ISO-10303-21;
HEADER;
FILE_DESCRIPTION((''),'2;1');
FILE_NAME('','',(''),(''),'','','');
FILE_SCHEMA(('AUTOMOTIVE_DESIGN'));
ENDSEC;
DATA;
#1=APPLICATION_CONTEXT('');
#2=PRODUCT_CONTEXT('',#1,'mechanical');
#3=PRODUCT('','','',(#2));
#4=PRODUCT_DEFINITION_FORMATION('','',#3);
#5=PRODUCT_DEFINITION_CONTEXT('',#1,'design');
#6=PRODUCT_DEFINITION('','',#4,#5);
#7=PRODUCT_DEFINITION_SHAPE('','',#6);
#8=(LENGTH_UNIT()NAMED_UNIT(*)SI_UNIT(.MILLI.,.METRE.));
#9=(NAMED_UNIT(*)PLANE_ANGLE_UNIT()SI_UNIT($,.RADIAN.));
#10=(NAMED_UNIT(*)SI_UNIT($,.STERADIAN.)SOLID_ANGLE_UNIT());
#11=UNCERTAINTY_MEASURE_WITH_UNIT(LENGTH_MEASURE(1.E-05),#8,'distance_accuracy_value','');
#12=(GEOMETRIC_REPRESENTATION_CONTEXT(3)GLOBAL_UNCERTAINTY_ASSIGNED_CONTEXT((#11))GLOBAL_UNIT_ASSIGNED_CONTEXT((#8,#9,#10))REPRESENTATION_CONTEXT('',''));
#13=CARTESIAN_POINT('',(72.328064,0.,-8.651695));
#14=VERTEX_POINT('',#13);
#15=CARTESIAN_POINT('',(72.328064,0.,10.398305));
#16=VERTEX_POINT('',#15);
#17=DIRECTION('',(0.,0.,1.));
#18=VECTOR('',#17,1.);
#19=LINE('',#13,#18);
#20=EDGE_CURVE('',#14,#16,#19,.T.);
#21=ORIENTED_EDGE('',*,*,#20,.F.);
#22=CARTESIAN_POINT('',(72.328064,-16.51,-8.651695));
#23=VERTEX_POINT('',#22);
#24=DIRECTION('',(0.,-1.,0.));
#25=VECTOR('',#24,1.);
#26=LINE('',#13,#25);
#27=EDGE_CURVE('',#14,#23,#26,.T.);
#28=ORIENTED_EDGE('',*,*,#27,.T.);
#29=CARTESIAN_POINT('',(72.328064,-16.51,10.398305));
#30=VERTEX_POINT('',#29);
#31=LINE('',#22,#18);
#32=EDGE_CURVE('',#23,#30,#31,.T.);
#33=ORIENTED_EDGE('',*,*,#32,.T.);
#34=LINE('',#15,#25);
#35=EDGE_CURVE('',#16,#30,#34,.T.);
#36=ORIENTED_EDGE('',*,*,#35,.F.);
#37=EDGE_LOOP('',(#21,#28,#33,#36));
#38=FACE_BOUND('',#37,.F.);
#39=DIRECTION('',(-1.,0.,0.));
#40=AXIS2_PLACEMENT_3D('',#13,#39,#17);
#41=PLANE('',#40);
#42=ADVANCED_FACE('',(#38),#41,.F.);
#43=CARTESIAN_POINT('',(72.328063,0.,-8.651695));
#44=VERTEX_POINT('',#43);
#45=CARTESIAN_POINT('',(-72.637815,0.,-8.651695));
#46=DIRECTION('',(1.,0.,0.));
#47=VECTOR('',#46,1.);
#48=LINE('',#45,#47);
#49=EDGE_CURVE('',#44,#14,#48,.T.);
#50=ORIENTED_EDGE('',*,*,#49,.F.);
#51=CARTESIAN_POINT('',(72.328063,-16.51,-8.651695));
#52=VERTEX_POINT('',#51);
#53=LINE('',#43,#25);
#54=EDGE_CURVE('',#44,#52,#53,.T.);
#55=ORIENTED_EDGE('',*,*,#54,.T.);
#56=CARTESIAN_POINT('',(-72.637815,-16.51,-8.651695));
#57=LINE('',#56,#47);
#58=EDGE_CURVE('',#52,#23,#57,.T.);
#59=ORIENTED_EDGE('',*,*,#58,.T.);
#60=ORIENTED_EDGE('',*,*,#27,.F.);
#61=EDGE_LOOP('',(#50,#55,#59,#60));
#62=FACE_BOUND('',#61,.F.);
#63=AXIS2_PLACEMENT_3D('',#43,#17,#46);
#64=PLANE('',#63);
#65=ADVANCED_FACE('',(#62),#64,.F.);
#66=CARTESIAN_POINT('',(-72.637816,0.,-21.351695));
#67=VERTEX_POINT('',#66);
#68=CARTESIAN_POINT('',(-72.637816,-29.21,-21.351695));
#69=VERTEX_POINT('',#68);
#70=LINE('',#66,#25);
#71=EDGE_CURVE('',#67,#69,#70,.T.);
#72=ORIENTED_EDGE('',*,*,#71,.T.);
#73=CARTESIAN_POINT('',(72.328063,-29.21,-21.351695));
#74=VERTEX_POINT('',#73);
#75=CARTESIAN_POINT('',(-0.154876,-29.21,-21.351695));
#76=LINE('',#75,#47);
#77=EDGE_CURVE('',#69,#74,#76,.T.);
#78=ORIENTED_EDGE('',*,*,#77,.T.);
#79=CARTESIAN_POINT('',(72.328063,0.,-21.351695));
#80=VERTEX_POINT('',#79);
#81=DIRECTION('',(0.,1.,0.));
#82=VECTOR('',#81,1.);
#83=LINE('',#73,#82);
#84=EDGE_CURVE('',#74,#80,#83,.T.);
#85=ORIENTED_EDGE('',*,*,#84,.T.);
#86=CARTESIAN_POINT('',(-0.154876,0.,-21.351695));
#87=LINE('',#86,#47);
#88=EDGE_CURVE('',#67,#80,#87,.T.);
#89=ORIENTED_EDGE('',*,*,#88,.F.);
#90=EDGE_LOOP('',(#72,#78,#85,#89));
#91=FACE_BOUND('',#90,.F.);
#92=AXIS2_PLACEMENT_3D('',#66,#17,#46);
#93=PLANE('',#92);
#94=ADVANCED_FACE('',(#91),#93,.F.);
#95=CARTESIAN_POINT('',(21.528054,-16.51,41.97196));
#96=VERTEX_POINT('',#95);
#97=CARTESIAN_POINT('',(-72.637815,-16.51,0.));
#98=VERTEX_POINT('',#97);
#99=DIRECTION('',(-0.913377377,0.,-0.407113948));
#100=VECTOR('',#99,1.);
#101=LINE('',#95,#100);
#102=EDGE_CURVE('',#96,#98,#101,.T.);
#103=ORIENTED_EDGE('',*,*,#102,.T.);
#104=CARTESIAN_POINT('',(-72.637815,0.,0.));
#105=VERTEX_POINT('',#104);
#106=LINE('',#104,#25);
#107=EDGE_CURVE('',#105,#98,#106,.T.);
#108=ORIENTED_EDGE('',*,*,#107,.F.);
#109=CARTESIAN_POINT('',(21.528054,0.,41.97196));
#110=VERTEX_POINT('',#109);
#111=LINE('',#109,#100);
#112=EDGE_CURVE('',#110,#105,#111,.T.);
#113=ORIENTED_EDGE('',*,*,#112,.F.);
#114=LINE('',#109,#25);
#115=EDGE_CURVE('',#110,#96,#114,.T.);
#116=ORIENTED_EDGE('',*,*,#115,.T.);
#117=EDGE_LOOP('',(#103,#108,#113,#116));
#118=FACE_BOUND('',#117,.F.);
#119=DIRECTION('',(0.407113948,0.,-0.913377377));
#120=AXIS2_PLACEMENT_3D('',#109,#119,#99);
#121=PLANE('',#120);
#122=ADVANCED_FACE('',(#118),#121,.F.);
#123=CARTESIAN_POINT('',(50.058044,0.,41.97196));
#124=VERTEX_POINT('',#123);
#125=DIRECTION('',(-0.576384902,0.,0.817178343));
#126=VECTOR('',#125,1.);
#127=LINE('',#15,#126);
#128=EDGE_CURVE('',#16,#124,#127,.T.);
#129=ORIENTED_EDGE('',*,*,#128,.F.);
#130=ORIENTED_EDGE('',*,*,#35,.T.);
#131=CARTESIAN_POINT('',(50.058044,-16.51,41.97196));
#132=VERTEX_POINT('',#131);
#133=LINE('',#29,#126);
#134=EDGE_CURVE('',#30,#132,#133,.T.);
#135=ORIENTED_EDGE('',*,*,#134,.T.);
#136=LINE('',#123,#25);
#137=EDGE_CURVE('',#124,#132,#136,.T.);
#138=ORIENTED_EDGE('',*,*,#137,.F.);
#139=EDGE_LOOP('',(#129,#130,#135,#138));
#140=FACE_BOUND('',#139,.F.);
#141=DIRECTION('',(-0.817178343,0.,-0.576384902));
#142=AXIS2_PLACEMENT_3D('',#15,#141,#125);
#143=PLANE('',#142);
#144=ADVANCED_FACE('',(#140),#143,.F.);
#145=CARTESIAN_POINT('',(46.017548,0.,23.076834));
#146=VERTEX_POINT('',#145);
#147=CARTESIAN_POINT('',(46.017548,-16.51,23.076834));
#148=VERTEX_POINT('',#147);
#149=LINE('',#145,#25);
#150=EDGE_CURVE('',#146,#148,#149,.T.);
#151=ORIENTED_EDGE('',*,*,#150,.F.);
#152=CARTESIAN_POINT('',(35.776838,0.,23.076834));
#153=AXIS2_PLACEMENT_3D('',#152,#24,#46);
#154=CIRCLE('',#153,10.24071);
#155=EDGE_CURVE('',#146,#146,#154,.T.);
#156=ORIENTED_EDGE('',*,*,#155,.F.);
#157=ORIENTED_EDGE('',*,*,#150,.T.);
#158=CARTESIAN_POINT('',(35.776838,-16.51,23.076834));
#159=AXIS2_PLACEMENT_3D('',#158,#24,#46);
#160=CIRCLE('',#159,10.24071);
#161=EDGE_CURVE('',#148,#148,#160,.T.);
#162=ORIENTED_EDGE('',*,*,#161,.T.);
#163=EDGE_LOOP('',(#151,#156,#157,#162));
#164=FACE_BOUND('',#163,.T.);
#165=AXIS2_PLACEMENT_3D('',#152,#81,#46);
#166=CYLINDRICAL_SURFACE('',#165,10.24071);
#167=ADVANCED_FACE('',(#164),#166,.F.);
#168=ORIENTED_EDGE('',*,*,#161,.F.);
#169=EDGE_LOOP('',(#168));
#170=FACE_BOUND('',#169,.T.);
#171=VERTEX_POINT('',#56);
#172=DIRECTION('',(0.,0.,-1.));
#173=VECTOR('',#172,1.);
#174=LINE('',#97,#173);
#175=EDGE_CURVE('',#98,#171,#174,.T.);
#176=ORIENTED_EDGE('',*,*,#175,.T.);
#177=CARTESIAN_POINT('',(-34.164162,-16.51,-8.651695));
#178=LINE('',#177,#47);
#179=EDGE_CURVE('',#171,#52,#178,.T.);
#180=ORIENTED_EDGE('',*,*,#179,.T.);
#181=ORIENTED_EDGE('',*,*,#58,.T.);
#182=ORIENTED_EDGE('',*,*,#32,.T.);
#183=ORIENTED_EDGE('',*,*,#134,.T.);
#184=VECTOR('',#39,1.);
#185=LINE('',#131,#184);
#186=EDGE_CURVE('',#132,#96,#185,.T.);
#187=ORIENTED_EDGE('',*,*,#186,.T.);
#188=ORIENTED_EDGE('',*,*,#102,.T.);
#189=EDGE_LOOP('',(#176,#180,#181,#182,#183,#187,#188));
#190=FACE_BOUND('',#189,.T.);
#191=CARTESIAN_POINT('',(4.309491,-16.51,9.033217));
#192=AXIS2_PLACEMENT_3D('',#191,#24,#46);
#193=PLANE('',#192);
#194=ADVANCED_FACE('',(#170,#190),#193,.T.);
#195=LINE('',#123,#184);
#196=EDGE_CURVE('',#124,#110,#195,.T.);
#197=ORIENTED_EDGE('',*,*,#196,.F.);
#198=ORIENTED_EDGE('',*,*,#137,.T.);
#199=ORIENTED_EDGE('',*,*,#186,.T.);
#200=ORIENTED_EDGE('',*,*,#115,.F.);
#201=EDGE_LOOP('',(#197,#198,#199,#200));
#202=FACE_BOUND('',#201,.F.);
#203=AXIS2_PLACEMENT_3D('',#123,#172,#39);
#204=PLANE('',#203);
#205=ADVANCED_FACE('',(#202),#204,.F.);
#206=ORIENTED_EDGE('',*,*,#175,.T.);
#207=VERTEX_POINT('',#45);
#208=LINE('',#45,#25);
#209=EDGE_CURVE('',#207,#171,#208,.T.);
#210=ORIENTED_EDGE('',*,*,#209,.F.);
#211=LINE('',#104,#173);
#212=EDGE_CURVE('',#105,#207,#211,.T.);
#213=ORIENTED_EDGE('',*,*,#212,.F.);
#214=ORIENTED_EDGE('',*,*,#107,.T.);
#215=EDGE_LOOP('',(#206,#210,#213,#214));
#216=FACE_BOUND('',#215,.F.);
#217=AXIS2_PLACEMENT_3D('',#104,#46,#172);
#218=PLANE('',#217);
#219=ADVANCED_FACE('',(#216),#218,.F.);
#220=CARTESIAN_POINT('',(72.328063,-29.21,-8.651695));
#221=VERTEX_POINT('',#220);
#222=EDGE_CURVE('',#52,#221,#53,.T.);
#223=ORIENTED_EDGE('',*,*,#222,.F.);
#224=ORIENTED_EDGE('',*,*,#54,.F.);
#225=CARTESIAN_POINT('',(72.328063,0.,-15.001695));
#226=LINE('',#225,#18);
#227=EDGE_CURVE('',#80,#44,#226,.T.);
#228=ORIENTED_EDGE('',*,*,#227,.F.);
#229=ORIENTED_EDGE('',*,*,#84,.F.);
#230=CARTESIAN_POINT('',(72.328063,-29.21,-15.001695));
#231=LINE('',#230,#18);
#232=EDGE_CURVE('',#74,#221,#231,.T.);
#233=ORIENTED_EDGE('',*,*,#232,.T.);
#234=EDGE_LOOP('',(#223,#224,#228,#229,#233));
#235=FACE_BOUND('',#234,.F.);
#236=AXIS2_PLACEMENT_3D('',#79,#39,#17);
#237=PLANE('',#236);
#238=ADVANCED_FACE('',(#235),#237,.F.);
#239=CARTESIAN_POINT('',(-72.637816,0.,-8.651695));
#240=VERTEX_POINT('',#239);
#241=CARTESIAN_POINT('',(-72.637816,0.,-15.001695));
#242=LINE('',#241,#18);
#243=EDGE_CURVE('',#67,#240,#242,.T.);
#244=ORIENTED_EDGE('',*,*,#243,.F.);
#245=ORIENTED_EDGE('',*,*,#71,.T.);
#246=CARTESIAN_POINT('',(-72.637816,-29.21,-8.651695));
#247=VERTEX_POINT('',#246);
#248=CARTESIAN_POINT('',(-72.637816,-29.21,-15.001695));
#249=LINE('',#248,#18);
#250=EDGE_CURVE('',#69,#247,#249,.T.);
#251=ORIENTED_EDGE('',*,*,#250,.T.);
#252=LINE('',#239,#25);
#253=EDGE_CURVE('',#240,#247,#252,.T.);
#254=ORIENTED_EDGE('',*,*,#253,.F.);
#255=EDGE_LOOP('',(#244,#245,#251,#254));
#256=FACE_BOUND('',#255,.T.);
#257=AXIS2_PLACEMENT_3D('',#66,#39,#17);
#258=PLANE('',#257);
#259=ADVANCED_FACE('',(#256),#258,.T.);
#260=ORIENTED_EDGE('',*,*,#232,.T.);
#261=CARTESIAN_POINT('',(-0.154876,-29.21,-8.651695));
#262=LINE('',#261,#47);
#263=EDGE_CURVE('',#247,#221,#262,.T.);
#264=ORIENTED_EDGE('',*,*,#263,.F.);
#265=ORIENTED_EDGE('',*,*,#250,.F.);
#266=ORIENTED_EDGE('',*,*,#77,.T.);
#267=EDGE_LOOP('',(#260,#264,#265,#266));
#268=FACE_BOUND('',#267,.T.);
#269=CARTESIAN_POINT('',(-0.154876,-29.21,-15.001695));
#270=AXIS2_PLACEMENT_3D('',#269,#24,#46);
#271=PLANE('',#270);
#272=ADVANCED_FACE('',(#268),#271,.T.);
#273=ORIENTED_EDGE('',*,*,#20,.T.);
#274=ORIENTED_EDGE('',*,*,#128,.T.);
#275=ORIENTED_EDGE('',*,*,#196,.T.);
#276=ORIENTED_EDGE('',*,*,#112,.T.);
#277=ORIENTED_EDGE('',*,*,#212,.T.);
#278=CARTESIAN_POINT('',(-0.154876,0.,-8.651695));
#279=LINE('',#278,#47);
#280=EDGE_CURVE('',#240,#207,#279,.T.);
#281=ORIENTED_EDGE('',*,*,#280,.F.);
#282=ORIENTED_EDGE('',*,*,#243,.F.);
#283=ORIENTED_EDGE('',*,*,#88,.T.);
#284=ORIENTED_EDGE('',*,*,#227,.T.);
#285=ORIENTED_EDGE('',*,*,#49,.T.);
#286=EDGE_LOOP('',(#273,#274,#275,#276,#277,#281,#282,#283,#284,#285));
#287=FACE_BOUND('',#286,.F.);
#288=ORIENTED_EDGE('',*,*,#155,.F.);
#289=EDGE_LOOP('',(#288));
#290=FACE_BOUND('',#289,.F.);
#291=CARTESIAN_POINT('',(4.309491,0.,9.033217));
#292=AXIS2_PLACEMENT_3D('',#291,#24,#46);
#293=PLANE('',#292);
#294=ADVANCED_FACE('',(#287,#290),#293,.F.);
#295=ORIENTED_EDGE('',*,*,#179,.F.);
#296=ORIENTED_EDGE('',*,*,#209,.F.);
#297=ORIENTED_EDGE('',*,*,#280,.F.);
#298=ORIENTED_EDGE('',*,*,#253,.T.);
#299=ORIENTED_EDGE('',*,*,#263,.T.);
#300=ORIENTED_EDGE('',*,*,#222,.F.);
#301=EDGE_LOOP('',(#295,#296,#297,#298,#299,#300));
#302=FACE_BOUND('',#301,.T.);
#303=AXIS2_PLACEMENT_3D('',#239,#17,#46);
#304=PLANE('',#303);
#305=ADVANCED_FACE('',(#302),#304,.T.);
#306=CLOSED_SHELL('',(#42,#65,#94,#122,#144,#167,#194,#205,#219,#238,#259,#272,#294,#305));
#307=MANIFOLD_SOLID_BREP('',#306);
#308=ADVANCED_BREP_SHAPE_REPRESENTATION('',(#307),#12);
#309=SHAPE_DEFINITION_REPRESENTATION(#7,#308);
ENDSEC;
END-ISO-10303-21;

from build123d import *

# Parameters (mm, degrees)
F0_W     = 144.965879
F0_H     = 12.7
F1_DEPTH = 29.21
F0_R     = 10.24071
F2_DEPTH = 16.51


with BuildPart() as f1:
    # F0 (on Front) → F1 (new body)
    with BuildSketch(Plane.XZ):
        with Locations((-0.154876, -15.001695)):
            Rectangle(F0_W, F0_H)
    extrude(amount=F1_DEPTH)

    # F0 (on Front) → F2 (join)
    with BuildSketch(Plane.XZ):
        Polygon((50.058044, 41.97196), (21.528054, 41.97196), (-72.637815, 0), (-72.637815, -8.651695), (72.328064, -8.651695), (72.328064, -2.632929), (72.328064, 10.398305), align=None)
        with Locations((35.776838, 23.076834)):
            Circle(F0_R, mode=Mode.SUBTRACT)
        with Locations((-0.154876, -15.001695)):
            Rectangle(F0_W, F0_H)
    extrude(amount=F2_DEPTH)


solid = f1.part
